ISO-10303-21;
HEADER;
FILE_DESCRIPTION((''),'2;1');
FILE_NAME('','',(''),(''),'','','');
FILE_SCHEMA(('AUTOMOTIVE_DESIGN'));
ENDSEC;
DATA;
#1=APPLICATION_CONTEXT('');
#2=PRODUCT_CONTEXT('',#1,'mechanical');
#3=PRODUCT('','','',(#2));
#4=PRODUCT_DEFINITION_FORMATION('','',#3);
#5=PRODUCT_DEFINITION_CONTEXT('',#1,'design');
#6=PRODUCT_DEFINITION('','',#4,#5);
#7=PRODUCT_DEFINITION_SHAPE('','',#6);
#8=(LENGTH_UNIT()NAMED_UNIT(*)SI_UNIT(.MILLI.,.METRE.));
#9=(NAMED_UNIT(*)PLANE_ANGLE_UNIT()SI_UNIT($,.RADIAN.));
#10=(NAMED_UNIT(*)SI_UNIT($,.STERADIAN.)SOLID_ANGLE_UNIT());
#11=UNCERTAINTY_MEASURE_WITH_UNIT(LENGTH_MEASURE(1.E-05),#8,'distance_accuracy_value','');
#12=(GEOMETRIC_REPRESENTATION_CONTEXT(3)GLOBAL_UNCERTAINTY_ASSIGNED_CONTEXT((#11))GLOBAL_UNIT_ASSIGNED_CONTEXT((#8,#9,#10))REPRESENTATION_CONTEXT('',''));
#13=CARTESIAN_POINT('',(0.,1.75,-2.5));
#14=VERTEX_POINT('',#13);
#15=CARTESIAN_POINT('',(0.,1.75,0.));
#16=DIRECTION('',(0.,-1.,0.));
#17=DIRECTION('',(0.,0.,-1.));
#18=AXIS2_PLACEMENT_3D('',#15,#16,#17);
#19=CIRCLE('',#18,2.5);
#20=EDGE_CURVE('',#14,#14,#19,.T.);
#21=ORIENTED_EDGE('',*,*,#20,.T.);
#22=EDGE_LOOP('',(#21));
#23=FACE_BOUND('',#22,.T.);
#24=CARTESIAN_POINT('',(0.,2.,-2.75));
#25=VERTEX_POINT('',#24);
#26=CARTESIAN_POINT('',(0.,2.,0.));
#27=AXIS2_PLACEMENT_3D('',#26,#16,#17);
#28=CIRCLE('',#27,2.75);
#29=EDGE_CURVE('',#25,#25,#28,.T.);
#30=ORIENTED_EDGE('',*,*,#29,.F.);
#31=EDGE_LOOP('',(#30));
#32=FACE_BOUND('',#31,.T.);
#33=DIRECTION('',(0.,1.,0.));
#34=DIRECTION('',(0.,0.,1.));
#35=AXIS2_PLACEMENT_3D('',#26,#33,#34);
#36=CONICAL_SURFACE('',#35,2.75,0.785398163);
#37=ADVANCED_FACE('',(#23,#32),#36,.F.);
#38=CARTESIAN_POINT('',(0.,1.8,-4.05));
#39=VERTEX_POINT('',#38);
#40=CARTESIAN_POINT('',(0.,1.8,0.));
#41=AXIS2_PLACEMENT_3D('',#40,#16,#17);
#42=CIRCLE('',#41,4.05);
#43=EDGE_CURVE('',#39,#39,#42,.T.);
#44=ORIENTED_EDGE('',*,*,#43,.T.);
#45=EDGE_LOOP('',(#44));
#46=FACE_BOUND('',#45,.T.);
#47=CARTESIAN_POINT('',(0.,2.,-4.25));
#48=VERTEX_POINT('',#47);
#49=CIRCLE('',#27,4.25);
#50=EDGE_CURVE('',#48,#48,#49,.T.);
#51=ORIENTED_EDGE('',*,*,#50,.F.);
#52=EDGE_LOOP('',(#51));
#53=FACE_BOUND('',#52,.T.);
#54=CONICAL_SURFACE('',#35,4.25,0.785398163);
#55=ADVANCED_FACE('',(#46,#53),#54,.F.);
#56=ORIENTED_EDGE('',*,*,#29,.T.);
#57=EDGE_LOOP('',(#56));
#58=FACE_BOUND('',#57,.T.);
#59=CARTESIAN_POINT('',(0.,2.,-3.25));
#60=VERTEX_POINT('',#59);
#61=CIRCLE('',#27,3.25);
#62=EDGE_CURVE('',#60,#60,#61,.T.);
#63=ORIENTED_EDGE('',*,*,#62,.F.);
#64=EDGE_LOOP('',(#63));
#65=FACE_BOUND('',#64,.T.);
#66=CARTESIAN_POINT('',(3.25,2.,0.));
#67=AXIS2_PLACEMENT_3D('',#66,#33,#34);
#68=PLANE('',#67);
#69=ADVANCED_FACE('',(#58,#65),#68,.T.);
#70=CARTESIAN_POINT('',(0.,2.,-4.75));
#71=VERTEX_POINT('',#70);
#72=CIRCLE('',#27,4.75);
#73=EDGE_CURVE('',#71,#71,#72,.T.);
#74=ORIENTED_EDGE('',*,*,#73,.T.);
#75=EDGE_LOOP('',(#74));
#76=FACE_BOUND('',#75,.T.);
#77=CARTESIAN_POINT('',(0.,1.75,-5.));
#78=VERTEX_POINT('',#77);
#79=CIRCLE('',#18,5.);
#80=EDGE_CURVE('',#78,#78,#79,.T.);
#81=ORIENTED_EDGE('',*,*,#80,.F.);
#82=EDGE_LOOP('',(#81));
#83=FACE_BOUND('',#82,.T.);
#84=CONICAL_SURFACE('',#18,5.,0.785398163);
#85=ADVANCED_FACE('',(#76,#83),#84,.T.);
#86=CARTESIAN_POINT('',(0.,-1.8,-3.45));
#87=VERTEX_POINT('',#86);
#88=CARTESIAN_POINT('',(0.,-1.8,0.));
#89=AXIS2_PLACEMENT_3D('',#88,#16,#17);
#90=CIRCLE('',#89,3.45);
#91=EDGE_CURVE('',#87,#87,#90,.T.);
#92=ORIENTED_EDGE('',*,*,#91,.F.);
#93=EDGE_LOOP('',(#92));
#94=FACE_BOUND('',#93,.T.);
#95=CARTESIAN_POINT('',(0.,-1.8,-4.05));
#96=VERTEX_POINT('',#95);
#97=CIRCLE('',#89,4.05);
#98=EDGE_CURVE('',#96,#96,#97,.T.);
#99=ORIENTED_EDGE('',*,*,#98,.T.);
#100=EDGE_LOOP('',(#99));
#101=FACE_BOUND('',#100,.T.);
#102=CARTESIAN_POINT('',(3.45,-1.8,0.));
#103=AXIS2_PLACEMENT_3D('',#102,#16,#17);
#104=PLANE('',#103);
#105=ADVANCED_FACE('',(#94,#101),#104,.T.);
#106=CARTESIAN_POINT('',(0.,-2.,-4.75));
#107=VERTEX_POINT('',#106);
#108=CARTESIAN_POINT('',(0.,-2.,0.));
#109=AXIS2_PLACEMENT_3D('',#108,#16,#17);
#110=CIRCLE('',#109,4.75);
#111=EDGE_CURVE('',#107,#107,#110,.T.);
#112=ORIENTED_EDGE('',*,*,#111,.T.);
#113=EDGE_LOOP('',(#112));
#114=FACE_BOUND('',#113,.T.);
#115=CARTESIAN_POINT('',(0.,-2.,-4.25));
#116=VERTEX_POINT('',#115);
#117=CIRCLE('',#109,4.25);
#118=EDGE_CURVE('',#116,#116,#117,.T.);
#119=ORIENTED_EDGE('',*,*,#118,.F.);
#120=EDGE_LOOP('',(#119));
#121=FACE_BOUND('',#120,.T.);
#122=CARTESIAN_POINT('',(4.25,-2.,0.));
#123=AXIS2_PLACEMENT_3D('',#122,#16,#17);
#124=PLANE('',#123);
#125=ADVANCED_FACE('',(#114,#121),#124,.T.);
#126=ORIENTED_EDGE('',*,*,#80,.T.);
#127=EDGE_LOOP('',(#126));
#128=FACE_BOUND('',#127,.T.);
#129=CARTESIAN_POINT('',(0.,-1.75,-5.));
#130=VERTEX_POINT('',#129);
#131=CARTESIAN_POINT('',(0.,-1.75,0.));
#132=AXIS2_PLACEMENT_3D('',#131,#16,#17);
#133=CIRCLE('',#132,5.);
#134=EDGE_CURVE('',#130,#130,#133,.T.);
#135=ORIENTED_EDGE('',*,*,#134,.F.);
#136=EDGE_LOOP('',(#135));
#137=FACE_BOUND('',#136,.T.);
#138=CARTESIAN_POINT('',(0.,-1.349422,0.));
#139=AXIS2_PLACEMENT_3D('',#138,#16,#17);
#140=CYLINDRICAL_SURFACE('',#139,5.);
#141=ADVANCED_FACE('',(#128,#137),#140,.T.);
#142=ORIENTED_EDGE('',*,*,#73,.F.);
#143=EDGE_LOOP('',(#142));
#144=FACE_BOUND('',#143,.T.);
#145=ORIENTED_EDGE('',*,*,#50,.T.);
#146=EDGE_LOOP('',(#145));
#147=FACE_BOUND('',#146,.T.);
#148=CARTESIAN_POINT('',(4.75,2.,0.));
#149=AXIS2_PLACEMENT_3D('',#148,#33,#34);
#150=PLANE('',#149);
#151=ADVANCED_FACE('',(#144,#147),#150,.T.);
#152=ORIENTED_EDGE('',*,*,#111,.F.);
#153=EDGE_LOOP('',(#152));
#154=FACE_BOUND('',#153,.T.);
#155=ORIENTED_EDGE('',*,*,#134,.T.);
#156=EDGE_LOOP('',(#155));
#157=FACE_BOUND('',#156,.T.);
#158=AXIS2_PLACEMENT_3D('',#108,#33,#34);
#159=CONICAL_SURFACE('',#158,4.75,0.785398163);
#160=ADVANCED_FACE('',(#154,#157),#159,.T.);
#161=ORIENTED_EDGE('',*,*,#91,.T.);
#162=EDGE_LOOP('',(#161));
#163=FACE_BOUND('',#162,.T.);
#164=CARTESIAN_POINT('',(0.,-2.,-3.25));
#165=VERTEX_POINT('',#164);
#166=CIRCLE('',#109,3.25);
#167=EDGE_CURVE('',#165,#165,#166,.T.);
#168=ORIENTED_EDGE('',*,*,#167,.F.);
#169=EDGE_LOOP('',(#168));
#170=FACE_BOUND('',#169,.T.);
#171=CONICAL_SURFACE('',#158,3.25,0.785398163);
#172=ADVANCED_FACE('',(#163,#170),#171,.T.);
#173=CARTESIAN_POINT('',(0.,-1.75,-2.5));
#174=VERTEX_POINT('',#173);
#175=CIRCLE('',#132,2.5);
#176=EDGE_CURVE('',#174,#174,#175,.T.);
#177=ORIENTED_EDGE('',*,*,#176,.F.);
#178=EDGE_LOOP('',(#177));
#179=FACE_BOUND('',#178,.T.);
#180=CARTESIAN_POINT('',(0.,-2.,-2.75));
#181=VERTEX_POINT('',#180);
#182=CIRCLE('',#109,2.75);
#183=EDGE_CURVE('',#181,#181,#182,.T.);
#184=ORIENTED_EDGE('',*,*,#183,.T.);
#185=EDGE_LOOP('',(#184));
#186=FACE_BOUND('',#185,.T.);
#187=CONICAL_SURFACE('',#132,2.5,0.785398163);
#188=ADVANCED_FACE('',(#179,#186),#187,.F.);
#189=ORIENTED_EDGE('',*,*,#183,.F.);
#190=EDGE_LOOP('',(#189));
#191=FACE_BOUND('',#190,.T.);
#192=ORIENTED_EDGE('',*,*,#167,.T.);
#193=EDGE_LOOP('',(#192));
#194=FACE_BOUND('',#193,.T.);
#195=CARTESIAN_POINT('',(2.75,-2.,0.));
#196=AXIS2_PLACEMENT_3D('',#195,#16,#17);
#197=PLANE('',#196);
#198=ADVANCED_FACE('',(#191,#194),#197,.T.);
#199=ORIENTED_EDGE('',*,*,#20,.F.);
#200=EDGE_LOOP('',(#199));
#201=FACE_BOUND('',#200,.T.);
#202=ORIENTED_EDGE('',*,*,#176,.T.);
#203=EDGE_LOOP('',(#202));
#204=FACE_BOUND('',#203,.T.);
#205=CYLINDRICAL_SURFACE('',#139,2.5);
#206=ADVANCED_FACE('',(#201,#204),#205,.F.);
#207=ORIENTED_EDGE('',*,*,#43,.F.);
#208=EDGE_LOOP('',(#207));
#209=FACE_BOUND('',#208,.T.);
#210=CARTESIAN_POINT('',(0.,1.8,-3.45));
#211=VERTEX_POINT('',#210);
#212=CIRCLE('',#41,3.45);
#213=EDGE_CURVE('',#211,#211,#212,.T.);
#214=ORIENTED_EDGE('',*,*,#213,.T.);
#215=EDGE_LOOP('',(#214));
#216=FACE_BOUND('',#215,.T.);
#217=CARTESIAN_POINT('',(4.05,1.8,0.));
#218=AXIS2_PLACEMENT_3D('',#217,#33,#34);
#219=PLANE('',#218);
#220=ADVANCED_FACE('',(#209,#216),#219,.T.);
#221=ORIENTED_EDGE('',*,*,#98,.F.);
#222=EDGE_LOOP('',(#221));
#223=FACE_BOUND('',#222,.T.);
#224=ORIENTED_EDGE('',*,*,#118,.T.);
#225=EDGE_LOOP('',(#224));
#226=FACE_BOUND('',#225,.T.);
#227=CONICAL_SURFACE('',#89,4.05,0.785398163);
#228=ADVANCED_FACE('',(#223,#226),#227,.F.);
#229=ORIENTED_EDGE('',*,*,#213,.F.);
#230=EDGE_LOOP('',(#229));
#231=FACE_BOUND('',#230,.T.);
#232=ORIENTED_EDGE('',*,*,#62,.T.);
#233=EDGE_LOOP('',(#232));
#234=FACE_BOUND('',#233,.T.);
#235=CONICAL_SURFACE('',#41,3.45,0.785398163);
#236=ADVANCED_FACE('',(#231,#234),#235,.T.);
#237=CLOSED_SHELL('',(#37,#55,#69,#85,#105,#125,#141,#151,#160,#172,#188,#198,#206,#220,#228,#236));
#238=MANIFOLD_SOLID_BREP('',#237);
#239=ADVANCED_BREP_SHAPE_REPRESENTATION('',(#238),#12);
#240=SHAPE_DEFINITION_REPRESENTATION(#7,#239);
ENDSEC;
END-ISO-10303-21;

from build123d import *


with BuildPart() as part:
    # Sketch1 → Revolve1 (revolve)
    with BuildSketch(Plane.XY):
        Polygon((2.5, 1.75), (2.5, -1.75), (2.75, -2), (3.25, -2), (3.45, -1.8), (4.05, -1.8), (4.25, -2), (4.75, -2), (5, -1.75), (5, 1.75), (4.75, 2), (4.25, 2), (4.05, 1.8), (3.45, 1.8), (3.25, 2), (2.75, 2), align=None)
    revolve(axis=Axis((0, -1.349421972, 0), (0, 1, 0)))


solid = part.part
